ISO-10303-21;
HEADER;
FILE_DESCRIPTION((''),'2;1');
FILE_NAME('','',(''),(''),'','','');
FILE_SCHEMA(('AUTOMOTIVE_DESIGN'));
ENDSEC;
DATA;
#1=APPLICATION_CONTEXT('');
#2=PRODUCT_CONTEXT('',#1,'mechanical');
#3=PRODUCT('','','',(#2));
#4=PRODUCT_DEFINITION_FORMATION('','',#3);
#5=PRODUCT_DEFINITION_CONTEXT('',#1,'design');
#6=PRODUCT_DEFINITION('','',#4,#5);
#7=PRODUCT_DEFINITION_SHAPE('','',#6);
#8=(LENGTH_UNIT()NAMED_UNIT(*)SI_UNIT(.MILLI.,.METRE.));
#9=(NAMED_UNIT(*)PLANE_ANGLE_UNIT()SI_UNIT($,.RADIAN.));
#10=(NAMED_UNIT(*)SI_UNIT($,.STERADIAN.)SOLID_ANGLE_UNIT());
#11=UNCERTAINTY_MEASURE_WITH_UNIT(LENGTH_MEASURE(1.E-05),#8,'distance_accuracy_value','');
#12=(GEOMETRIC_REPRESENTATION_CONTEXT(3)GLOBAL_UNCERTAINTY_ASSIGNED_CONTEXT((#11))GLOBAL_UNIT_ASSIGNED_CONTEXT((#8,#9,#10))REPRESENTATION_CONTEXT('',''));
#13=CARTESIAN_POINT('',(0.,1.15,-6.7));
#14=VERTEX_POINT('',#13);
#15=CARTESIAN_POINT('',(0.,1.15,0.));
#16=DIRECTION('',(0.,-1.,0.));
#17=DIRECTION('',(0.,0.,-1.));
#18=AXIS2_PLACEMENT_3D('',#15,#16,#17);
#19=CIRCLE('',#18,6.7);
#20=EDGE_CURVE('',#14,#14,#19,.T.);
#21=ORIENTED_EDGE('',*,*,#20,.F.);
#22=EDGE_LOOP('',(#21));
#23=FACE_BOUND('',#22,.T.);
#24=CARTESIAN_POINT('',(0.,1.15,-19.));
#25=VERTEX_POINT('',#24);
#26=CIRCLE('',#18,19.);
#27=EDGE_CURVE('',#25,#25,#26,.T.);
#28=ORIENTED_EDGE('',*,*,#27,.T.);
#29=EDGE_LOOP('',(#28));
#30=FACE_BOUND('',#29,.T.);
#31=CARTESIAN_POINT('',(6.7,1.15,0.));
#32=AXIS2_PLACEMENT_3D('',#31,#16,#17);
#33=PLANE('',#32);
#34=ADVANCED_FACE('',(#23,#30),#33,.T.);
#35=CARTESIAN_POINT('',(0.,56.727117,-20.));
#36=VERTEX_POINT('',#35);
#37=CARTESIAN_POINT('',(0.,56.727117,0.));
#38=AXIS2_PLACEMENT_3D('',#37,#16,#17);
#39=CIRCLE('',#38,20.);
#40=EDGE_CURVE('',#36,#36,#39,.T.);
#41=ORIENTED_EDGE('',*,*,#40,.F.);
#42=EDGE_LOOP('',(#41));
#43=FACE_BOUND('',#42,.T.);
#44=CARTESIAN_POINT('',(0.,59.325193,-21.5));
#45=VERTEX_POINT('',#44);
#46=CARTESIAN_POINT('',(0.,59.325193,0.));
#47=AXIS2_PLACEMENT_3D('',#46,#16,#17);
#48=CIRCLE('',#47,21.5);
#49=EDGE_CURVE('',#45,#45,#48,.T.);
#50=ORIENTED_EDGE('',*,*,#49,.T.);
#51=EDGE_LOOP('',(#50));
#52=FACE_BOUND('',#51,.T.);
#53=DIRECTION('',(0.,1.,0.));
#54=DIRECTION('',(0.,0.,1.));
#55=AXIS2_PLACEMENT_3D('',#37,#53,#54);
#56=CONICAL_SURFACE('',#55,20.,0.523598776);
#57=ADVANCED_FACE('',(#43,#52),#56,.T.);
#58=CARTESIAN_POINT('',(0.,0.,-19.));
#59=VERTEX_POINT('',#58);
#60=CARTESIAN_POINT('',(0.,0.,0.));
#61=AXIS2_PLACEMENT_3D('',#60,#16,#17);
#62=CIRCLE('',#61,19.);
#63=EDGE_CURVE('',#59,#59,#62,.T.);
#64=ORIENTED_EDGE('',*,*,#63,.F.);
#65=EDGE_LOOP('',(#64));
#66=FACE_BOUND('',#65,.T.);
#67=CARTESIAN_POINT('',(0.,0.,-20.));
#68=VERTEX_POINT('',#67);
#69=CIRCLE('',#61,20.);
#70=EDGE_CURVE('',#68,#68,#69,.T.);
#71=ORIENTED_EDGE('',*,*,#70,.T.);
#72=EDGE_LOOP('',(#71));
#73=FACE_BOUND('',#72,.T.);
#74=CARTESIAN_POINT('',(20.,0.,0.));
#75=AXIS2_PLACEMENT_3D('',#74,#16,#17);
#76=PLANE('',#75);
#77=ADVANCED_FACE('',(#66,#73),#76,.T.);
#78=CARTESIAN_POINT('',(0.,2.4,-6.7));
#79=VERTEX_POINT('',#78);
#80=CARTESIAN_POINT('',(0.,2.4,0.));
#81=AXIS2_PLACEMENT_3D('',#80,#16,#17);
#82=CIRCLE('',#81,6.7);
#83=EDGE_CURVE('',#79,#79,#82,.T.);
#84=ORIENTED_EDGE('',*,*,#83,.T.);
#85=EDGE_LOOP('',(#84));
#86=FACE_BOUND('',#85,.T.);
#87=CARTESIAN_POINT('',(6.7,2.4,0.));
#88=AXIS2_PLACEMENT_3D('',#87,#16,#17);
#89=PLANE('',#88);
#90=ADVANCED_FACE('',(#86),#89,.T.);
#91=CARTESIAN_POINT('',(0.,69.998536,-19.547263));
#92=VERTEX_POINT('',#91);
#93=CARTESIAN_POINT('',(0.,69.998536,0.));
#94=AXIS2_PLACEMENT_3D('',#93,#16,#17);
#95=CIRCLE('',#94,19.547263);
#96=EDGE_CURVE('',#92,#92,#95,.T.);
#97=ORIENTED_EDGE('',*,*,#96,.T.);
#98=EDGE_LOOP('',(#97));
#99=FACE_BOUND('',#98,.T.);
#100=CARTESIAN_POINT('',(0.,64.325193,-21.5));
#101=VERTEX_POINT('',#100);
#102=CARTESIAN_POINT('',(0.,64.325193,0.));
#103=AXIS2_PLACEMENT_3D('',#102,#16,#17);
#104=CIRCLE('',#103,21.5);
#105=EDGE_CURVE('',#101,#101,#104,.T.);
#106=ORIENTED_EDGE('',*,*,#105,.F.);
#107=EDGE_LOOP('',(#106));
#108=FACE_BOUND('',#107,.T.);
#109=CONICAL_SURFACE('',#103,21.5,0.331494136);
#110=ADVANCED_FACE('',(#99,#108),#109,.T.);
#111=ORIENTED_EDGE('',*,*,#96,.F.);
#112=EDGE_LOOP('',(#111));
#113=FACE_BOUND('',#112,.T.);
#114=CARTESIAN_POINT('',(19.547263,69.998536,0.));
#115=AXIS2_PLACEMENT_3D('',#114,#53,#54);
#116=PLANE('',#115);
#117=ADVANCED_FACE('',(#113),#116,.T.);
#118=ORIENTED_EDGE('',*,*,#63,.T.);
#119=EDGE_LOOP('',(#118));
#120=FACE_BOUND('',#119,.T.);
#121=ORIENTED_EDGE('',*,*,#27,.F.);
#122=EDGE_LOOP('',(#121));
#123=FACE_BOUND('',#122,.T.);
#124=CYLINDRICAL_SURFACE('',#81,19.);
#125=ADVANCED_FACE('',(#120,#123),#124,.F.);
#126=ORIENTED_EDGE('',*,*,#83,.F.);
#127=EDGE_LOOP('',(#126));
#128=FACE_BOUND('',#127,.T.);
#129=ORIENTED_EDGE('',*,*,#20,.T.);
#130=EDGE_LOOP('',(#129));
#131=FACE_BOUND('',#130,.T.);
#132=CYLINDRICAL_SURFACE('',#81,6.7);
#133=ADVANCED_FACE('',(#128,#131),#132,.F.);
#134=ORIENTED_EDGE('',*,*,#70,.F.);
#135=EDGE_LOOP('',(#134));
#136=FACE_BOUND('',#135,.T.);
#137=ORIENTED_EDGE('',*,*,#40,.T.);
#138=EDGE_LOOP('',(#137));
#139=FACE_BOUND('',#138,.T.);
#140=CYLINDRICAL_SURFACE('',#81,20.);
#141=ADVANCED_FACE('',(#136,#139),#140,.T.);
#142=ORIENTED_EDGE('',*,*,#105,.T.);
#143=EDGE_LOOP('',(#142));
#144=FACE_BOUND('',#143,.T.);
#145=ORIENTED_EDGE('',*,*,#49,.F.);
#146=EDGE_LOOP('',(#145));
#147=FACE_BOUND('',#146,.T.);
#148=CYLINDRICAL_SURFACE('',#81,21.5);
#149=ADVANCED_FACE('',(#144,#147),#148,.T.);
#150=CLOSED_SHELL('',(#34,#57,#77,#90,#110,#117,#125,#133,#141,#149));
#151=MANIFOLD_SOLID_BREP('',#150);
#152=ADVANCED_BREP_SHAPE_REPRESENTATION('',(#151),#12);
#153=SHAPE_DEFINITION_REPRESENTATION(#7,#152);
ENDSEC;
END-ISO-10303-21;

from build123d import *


with BuildPart() as part:
    # Sketch1 → Revolve1 (revolve)
    with BuildSketch(Plane.XY, mode=Mode.PRIVATE) as revolve1_sk:
        Polygon((20, 0), (20, 56.727116956), (21.5, 59.325193167), (21.5, 64.325193167), (19.547262907, 69.998535907), (0, 69.998535907), (0, 2.4), (6.7, 2.4), (6.7, 1.15), (19, 1.15), (19, 0), align=None)
    revolve(revolve1_sk.sketch.rotate(Axis((0, 2.4, 0), (0, 1, 0)), 90), axis=Axis((0, 2.4, 0), (0, 1, 0)))


solid = part.part
